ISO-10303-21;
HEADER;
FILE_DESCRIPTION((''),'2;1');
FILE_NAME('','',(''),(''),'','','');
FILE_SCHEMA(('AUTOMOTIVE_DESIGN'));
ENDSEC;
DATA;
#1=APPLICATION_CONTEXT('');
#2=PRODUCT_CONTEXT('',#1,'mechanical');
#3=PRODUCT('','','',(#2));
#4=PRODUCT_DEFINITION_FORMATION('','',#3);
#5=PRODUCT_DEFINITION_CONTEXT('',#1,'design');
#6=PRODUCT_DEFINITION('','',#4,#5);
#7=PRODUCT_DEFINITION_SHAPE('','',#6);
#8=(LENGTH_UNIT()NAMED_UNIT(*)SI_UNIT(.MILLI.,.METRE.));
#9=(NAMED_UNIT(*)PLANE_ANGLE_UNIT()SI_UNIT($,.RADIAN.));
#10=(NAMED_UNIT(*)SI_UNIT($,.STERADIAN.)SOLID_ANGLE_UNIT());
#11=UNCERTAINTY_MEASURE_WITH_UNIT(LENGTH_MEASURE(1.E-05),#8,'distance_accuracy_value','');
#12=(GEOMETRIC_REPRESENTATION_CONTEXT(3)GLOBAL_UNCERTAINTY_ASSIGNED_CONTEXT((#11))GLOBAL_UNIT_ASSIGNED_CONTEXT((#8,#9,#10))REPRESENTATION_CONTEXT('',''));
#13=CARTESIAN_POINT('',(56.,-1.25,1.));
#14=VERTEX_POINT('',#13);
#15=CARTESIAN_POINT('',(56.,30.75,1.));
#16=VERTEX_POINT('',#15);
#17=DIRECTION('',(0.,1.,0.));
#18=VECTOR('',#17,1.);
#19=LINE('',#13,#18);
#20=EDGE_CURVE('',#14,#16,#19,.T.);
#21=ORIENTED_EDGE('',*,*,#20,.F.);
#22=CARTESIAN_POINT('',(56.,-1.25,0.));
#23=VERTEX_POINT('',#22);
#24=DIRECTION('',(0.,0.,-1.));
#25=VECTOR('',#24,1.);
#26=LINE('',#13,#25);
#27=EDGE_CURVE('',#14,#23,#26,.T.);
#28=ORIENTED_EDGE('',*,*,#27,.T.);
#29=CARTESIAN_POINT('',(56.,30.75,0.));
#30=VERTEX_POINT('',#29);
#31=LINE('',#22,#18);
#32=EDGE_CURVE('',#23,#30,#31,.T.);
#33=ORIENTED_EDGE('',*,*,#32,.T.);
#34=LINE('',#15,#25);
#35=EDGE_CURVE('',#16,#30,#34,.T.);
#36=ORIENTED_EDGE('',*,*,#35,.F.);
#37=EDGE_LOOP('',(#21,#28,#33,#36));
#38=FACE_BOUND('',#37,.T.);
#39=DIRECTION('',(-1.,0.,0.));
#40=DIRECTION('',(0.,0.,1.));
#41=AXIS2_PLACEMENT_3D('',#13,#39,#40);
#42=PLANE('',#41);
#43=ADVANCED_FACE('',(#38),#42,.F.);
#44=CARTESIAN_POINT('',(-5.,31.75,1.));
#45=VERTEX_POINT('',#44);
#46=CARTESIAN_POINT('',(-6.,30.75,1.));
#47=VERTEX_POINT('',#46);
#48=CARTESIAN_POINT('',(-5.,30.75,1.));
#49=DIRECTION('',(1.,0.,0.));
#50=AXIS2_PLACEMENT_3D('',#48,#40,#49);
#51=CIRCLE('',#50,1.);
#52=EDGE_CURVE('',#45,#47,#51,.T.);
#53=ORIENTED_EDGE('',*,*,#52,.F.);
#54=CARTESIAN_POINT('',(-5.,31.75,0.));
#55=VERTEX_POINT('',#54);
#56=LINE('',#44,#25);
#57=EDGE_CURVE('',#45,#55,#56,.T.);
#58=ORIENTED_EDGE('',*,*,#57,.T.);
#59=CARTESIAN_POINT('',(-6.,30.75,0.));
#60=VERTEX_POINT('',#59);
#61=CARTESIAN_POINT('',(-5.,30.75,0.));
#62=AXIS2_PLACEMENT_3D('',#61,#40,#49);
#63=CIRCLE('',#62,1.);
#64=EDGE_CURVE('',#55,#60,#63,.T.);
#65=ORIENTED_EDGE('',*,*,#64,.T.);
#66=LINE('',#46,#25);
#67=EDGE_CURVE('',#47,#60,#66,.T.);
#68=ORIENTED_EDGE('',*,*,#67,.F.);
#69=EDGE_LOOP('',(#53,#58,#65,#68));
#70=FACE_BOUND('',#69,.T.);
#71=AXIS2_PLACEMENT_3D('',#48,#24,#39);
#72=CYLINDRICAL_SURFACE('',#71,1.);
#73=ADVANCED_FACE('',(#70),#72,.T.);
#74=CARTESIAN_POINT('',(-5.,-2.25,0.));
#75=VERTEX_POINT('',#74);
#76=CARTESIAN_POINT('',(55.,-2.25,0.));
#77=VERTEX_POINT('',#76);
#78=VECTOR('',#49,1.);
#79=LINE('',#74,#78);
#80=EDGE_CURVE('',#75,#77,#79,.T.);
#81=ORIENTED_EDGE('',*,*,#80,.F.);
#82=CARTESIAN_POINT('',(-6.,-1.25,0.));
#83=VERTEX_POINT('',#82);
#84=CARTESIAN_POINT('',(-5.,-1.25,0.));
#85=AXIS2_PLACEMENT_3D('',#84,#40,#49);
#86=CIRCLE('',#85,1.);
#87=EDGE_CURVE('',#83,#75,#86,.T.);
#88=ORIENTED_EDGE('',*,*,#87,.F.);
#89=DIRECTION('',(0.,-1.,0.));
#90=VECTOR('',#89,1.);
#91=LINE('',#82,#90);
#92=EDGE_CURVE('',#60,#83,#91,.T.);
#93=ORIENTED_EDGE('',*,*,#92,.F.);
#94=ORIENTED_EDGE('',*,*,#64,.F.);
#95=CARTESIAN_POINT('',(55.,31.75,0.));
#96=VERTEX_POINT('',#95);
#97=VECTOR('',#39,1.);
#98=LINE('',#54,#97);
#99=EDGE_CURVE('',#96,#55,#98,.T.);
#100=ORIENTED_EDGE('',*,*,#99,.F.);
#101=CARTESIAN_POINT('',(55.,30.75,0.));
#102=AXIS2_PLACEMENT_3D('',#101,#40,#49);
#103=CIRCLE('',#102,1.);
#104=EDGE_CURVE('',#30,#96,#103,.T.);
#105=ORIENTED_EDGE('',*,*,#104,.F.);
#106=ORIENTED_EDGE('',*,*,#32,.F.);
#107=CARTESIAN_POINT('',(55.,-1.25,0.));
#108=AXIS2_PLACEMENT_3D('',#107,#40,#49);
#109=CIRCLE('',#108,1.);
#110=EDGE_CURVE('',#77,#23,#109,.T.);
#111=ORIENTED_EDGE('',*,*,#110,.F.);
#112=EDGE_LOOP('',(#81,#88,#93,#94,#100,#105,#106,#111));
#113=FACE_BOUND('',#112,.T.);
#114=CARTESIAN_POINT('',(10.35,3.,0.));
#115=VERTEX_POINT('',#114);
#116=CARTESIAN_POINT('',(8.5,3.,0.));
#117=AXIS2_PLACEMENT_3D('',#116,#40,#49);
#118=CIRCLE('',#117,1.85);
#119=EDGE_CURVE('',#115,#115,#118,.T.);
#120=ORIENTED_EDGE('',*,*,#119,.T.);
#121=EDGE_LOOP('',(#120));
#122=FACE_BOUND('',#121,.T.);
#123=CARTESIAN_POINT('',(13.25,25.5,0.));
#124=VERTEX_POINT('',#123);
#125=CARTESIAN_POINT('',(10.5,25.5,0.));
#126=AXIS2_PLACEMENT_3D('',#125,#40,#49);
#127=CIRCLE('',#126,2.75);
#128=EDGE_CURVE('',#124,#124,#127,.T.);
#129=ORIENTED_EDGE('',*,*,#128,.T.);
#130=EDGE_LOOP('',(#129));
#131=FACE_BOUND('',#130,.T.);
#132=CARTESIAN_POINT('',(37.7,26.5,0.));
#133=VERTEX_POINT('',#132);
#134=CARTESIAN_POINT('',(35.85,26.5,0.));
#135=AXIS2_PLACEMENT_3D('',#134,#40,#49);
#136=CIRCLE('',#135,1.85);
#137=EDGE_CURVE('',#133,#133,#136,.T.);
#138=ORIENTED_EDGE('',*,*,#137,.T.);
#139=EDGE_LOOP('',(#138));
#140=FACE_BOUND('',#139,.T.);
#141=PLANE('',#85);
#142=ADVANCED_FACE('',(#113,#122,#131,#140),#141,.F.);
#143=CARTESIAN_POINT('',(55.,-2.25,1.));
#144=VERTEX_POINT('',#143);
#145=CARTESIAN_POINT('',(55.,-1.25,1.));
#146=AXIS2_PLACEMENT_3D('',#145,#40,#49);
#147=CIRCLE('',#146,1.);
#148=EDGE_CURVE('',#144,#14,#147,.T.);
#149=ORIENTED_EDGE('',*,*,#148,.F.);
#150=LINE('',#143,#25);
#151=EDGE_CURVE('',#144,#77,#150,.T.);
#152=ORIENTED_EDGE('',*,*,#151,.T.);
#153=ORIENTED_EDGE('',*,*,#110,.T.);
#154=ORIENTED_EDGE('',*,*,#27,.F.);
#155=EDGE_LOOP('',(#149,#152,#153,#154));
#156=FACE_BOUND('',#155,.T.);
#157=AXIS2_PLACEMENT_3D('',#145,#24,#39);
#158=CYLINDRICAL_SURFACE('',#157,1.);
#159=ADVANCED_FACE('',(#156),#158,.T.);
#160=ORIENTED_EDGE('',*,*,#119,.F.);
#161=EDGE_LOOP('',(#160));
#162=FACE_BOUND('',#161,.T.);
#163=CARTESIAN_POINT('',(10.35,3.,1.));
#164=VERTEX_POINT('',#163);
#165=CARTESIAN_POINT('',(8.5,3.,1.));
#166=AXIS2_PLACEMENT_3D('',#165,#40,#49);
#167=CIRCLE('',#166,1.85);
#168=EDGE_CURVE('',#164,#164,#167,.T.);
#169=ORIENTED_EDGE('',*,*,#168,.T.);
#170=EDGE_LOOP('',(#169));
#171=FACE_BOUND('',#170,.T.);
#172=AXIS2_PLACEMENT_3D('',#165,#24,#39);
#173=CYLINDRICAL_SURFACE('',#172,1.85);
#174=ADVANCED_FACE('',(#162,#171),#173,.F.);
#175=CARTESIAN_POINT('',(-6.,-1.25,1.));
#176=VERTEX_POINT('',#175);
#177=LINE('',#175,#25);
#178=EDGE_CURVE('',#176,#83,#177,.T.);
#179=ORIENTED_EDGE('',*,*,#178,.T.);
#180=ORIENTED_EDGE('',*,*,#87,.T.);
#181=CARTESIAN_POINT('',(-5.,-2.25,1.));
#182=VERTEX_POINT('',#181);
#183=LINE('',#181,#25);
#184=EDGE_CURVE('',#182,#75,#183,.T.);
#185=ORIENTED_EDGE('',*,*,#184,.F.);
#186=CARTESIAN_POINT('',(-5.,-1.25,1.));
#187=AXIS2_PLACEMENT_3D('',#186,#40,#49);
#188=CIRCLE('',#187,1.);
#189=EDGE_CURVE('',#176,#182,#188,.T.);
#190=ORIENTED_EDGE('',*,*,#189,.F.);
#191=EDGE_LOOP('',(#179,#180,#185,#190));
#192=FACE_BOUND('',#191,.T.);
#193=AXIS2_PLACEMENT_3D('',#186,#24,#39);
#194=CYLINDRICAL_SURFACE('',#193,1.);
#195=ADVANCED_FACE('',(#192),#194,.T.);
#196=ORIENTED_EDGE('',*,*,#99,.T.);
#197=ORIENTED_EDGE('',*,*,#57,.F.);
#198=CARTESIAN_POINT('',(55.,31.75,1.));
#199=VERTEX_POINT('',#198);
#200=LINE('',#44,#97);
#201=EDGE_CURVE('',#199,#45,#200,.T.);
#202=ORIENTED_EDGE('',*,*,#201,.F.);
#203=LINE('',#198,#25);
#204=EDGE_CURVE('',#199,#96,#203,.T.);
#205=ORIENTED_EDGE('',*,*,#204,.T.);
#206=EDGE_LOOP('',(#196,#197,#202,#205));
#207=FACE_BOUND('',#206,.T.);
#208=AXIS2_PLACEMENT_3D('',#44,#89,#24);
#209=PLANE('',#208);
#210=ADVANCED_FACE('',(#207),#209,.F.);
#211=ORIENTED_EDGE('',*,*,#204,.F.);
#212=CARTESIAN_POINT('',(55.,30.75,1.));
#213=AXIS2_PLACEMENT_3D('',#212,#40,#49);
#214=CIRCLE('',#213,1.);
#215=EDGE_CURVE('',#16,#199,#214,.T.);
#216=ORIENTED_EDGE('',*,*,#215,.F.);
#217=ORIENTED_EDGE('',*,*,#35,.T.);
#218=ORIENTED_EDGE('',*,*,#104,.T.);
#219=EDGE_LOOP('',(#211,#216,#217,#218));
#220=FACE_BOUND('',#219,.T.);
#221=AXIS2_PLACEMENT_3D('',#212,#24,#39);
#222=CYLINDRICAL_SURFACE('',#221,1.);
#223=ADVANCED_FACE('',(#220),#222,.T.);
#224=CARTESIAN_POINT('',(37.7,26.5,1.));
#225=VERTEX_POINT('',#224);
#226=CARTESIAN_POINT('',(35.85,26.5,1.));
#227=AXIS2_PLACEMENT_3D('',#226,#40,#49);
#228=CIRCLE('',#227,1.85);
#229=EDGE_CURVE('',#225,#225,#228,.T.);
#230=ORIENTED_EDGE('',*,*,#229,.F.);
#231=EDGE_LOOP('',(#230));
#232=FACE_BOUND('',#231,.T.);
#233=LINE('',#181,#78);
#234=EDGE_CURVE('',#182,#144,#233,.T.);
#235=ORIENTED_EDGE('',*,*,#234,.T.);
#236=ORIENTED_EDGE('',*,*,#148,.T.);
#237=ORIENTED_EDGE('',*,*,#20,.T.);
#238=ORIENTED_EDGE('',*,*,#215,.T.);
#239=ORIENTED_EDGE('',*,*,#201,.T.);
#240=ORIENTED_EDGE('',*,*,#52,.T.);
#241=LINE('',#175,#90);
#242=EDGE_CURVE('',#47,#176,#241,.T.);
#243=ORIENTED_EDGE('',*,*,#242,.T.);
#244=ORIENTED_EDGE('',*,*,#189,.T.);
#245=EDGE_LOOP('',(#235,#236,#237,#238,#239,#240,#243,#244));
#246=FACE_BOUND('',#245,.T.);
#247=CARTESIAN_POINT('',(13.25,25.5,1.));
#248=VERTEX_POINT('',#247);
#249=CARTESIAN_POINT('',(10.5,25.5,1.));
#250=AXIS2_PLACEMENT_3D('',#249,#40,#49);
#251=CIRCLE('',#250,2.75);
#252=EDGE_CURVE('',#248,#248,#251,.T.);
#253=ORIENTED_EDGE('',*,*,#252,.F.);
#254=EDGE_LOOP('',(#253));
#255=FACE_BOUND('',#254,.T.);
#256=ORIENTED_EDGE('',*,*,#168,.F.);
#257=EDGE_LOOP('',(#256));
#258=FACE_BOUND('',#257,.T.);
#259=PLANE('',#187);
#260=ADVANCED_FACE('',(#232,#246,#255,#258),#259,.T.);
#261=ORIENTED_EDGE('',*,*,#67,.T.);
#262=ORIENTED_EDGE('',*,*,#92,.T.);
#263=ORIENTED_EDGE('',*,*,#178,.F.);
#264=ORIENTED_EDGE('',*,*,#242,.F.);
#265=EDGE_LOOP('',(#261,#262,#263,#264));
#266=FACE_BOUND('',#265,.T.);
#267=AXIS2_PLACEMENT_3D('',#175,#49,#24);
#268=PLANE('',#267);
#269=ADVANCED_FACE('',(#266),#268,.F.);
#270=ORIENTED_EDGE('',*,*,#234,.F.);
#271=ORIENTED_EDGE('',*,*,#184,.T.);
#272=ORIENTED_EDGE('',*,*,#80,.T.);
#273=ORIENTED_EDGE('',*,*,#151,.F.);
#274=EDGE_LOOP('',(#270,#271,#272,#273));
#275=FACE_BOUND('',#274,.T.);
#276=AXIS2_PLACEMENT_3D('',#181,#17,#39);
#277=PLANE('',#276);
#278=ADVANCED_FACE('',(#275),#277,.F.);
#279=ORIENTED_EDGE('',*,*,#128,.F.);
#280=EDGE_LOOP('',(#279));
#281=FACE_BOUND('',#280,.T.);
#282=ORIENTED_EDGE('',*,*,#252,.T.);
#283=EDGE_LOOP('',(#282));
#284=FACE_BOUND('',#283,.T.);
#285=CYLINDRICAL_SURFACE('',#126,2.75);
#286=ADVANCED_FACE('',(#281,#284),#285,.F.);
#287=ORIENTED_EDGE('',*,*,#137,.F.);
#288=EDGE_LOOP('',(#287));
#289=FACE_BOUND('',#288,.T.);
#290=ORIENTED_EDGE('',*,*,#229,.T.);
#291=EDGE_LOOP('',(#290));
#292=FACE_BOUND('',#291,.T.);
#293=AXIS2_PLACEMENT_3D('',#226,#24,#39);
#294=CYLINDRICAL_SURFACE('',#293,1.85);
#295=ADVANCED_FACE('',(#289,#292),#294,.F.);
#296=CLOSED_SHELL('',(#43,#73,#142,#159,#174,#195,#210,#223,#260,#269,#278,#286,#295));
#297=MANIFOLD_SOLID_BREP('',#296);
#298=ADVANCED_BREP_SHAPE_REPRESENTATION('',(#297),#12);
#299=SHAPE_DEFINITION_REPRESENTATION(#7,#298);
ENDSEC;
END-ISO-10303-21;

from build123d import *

# Parameters (mm, degrees)
CROQUIS1_R              = 1.85
SALIENTE_EXTRUIR1_DEPTH = 1
CROQUIS2_R              = 2.75
CORTAR_EXTRUIR1_DEPTH   = 2


with BuildPart() as part:
    # Croquis1 → Saliente-Extruir1 (new body)
    with BuildSketch(Plane.XY):
        with BuildLine():
            Line((-5, 31.75), (55, 31.75))
            ThreePointArc((55, 31.75), (55.707106781, 31.457106781), (56, 30.75))
            Line((56, 30.75), (56, -1.25))
            ThreePointArc((56, -1.25), (55.707106781, -1.957106781), (55, -2.25))
            Line((55, -2.25), (-5, -2.25))
            ThreePointArc((-5, -2.25), (-5.707106781, -1.957106781), (-6, -1.25))
            Line((-6, -1.25), (-6, 30.75))
            ThreePointArc((-6, 30.75), (-5.707106781, 31.457106781), (-5, 31.75))
        make_face()
        with Locations((35.85, 26.5)):
            Circle(CROQUIS1_R, mode=Mode.SUBTRACT)
        with Locations((8.5, 3)):
            Circle(CROQUIS1_R, mode=Mode.SUBTRACT)
    extrude(amount=SALIENTE_EXTRUIR1_DEPTH)

    # Croquis2 → Cortar-Extruir1 (cut, through all)
    with BuildSketch(Plane.XY.offset(1)):
        with Locations((10.5, 25.5)):
            Circle(CROQUIS2_R)
    extrude(amount=-CORTAR_EXTRUIR1_DEPTH, mode=Mode.SUBTRACT)


solid = part.part
